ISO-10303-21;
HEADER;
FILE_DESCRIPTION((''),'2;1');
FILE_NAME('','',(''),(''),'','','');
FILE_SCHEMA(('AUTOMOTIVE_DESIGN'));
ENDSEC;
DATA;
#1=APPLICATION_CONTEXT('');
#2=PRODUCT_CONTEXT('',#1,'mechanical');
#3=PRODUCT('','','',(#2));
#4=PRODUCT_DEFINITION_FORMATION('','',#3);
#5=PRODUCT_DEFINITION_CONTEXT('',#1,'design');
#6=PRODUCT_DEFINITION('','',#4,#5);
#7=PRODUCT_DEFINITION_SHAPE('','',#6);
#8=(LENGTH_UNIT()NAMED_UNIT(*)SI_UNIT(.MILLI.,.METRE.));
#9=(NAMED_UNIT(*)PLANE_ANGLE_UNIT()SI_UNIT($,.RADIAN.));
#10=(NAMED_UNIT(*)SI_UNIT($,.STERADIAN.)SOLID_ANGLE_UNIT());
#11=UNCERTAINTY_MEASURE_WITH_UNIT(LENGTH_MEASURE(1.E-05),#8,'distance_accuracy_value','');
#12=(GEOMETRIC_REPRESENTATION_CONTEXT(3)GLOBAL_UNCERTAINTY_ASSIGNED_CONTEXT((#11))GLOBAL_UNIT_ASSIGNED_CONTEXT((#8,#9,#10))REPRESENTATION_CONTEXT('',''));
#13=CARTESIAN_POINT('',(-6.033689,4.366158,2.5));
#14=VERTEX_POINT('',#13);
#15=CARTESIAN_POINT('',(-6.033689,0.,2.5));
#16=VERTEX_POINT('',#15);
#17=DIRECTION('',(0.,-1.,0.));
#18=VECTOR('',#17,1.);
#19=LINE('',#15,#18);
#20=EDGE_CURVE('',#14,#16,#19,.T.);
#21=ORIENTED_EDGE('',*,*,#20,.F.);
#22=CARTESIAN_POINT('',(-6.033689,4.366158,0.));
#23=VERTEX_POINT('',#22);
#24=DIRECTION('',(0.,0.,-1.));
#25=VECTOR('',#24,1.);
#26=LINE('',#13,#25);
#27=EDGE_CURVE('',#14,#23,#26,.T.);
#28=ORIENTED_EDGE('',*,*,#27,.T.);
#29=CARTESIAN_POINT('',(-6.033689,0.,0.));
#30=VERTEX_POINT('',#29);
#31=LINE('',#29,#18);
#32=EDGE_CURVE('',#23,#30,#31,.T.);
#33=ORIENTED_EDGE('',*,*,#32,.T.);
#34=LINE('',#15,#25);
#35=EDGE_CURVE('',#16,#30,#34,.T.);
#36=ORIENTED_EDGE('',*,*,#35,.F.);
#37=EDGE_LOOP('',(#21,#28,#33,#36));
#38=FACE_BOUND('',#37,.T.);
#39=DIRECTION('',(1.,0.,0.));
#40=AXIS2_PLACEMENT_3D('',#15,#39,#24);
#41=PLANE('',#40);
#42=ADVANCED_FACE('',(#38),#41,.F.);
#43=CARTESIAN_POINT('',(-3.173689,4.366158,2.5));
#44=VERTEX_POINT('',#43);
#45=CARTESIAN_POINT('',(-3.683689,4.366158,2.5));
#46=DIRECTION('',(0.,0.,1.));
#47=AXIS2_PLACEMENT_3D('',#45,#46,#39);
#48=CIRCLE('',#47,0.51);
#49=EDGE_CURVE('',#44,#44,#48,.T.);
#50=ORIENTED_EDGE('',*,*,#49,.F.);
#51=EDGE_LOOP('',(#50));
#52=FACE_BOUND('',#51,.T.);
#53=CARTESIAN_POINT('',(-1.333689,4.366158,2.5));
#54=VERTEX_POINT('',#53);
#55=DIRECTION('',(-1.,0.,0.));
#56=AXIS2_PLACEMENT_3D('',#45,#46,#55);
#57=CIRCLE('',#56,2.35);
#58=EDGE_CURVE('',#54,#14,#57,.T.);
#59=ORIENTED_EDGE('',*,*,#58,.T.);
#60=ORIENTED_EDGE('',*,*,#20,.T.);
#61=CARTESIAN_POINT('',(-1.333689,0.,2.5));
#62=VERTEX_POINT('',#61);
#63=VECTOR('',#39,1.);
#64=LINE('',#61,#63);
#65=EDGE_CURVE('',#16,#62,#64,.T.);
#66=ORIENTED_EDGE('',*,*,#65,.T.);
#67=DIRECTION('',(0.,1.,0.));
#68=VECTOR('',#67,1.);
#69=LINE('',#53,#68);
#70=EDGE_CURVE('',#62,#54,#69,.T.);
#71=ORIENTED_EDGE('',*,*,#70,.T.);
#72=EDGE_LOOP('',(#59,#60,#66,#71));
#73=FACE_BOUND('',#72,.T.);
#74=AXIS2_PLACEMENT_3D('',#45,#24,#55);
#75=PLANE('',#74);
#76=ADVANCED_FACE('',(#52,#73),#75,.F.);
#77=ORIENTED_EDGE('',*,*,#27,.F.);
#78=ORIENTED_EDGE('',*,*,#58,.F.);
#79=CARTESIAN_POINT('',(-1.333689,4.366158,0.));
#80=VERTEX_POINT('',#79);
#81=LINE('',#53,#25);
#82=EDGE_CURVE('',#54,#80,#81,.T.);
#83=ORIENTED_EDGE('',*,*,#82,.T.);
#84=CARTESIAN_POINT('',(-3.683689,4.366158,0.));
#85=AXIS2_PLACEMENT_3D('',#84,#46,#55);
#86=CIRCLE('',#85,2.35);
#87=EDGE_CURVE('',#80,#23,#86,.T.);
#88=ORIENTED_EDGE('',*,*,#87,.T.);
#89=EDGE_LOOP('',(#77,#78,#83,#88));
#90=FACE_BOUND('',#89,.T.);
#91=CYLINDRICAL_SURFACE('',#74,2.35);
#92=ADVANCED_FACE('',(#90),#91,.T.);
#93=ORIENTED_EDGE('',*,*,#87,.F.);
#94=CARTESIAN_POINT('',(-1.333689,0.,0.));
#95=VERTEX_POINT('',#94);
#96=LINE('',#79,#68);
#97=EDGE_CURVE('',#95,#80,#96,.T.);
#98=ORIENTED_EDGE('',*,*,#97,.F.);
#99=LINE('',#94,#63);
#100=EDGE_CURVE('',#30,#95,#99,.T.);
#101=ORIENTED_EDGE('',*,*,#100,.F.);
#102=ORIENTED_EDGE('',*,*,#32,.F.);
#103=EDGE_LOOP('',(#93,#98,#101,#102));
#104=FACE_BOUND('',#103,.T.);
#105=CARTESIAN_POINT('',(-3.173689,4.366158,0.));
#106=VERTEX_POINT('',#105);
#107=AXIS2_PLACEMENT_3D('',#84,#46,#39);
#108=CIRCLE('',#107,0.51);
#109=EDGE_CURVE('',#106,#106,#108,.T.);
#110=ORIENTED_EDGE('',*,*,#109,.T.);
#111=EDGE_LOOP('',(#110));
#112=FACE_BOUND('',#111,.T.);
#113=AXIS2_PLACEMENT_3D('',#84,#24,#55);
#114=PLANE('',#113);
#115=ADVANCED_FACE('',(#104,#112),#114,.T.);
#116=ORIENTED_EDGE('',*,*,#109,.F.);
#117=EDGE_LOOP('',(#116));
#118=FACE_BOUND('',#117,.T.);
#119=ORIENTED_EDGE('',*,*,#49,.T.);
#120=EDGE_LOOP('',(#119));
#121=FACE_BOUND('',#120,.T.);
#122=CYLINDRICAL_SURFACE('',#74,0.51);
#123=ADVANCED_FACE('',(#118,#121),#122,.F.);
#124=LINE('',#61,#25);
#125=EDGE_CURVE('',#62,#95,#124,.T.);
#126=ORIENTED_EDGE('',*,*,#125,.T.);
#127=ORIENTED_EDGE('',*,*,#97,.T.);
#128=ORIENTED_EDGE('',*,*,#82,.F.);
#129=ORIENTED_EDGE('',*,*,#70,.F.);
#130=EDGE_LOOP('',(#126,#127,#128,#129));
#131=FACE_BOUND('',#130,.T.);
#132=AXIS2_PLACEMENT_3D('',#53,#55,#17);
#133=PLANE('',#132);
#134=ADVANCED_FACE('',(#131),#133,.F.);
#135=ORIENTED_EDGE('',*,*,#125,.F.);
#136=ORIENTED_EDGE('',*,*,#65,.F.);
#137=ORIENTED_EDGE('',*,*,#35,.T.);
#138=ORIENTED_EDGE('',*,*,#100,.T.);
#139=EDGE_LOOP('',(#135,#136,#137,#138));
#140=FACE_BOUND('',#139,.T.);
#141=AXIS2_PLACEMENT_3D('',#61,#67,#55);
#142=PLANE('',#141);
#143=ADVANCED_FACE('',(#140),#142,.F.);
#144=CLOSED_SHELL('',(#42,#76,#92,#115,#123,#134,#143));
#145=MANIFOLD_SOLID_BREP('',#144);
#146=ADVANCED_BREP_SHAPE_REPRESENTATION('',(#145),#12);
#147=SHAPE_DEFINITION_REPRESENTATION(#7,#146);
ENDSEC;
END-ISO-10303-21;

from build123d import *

# Parameters (mm, degrees)
ESQUISSE1_R        = 0.51
BOSS_EXTRU_1_DEPTH = 2.5


with BuildPart() as part:
    # Esquisse1 → Boss.-Extru.1 (new body)
    with BuildSketch(Plane.XY):
        with BuildLine():
            Line((-6.033689168, 0), (-6.033689168, 4.366158339))
            ThreePointArc((-6.033689168, 4.366158339), (-3.683689168, 6.716158339), (-1.333689168, 4.366158339))
            Line((-1.333689168, 4.366158339), (-1.333689168, 0))
            Line((-1.333689168, 0), (-6.033689168, 0))
        make_face()
        with Locations((-3.683689168, 4.366158339)):
            Circle(ESQUISSE1_R, mode=Mode.SUBTRACT)
    extrude(amount=BOSS_EXTRU_1_DEPTH)


solid = part.part
